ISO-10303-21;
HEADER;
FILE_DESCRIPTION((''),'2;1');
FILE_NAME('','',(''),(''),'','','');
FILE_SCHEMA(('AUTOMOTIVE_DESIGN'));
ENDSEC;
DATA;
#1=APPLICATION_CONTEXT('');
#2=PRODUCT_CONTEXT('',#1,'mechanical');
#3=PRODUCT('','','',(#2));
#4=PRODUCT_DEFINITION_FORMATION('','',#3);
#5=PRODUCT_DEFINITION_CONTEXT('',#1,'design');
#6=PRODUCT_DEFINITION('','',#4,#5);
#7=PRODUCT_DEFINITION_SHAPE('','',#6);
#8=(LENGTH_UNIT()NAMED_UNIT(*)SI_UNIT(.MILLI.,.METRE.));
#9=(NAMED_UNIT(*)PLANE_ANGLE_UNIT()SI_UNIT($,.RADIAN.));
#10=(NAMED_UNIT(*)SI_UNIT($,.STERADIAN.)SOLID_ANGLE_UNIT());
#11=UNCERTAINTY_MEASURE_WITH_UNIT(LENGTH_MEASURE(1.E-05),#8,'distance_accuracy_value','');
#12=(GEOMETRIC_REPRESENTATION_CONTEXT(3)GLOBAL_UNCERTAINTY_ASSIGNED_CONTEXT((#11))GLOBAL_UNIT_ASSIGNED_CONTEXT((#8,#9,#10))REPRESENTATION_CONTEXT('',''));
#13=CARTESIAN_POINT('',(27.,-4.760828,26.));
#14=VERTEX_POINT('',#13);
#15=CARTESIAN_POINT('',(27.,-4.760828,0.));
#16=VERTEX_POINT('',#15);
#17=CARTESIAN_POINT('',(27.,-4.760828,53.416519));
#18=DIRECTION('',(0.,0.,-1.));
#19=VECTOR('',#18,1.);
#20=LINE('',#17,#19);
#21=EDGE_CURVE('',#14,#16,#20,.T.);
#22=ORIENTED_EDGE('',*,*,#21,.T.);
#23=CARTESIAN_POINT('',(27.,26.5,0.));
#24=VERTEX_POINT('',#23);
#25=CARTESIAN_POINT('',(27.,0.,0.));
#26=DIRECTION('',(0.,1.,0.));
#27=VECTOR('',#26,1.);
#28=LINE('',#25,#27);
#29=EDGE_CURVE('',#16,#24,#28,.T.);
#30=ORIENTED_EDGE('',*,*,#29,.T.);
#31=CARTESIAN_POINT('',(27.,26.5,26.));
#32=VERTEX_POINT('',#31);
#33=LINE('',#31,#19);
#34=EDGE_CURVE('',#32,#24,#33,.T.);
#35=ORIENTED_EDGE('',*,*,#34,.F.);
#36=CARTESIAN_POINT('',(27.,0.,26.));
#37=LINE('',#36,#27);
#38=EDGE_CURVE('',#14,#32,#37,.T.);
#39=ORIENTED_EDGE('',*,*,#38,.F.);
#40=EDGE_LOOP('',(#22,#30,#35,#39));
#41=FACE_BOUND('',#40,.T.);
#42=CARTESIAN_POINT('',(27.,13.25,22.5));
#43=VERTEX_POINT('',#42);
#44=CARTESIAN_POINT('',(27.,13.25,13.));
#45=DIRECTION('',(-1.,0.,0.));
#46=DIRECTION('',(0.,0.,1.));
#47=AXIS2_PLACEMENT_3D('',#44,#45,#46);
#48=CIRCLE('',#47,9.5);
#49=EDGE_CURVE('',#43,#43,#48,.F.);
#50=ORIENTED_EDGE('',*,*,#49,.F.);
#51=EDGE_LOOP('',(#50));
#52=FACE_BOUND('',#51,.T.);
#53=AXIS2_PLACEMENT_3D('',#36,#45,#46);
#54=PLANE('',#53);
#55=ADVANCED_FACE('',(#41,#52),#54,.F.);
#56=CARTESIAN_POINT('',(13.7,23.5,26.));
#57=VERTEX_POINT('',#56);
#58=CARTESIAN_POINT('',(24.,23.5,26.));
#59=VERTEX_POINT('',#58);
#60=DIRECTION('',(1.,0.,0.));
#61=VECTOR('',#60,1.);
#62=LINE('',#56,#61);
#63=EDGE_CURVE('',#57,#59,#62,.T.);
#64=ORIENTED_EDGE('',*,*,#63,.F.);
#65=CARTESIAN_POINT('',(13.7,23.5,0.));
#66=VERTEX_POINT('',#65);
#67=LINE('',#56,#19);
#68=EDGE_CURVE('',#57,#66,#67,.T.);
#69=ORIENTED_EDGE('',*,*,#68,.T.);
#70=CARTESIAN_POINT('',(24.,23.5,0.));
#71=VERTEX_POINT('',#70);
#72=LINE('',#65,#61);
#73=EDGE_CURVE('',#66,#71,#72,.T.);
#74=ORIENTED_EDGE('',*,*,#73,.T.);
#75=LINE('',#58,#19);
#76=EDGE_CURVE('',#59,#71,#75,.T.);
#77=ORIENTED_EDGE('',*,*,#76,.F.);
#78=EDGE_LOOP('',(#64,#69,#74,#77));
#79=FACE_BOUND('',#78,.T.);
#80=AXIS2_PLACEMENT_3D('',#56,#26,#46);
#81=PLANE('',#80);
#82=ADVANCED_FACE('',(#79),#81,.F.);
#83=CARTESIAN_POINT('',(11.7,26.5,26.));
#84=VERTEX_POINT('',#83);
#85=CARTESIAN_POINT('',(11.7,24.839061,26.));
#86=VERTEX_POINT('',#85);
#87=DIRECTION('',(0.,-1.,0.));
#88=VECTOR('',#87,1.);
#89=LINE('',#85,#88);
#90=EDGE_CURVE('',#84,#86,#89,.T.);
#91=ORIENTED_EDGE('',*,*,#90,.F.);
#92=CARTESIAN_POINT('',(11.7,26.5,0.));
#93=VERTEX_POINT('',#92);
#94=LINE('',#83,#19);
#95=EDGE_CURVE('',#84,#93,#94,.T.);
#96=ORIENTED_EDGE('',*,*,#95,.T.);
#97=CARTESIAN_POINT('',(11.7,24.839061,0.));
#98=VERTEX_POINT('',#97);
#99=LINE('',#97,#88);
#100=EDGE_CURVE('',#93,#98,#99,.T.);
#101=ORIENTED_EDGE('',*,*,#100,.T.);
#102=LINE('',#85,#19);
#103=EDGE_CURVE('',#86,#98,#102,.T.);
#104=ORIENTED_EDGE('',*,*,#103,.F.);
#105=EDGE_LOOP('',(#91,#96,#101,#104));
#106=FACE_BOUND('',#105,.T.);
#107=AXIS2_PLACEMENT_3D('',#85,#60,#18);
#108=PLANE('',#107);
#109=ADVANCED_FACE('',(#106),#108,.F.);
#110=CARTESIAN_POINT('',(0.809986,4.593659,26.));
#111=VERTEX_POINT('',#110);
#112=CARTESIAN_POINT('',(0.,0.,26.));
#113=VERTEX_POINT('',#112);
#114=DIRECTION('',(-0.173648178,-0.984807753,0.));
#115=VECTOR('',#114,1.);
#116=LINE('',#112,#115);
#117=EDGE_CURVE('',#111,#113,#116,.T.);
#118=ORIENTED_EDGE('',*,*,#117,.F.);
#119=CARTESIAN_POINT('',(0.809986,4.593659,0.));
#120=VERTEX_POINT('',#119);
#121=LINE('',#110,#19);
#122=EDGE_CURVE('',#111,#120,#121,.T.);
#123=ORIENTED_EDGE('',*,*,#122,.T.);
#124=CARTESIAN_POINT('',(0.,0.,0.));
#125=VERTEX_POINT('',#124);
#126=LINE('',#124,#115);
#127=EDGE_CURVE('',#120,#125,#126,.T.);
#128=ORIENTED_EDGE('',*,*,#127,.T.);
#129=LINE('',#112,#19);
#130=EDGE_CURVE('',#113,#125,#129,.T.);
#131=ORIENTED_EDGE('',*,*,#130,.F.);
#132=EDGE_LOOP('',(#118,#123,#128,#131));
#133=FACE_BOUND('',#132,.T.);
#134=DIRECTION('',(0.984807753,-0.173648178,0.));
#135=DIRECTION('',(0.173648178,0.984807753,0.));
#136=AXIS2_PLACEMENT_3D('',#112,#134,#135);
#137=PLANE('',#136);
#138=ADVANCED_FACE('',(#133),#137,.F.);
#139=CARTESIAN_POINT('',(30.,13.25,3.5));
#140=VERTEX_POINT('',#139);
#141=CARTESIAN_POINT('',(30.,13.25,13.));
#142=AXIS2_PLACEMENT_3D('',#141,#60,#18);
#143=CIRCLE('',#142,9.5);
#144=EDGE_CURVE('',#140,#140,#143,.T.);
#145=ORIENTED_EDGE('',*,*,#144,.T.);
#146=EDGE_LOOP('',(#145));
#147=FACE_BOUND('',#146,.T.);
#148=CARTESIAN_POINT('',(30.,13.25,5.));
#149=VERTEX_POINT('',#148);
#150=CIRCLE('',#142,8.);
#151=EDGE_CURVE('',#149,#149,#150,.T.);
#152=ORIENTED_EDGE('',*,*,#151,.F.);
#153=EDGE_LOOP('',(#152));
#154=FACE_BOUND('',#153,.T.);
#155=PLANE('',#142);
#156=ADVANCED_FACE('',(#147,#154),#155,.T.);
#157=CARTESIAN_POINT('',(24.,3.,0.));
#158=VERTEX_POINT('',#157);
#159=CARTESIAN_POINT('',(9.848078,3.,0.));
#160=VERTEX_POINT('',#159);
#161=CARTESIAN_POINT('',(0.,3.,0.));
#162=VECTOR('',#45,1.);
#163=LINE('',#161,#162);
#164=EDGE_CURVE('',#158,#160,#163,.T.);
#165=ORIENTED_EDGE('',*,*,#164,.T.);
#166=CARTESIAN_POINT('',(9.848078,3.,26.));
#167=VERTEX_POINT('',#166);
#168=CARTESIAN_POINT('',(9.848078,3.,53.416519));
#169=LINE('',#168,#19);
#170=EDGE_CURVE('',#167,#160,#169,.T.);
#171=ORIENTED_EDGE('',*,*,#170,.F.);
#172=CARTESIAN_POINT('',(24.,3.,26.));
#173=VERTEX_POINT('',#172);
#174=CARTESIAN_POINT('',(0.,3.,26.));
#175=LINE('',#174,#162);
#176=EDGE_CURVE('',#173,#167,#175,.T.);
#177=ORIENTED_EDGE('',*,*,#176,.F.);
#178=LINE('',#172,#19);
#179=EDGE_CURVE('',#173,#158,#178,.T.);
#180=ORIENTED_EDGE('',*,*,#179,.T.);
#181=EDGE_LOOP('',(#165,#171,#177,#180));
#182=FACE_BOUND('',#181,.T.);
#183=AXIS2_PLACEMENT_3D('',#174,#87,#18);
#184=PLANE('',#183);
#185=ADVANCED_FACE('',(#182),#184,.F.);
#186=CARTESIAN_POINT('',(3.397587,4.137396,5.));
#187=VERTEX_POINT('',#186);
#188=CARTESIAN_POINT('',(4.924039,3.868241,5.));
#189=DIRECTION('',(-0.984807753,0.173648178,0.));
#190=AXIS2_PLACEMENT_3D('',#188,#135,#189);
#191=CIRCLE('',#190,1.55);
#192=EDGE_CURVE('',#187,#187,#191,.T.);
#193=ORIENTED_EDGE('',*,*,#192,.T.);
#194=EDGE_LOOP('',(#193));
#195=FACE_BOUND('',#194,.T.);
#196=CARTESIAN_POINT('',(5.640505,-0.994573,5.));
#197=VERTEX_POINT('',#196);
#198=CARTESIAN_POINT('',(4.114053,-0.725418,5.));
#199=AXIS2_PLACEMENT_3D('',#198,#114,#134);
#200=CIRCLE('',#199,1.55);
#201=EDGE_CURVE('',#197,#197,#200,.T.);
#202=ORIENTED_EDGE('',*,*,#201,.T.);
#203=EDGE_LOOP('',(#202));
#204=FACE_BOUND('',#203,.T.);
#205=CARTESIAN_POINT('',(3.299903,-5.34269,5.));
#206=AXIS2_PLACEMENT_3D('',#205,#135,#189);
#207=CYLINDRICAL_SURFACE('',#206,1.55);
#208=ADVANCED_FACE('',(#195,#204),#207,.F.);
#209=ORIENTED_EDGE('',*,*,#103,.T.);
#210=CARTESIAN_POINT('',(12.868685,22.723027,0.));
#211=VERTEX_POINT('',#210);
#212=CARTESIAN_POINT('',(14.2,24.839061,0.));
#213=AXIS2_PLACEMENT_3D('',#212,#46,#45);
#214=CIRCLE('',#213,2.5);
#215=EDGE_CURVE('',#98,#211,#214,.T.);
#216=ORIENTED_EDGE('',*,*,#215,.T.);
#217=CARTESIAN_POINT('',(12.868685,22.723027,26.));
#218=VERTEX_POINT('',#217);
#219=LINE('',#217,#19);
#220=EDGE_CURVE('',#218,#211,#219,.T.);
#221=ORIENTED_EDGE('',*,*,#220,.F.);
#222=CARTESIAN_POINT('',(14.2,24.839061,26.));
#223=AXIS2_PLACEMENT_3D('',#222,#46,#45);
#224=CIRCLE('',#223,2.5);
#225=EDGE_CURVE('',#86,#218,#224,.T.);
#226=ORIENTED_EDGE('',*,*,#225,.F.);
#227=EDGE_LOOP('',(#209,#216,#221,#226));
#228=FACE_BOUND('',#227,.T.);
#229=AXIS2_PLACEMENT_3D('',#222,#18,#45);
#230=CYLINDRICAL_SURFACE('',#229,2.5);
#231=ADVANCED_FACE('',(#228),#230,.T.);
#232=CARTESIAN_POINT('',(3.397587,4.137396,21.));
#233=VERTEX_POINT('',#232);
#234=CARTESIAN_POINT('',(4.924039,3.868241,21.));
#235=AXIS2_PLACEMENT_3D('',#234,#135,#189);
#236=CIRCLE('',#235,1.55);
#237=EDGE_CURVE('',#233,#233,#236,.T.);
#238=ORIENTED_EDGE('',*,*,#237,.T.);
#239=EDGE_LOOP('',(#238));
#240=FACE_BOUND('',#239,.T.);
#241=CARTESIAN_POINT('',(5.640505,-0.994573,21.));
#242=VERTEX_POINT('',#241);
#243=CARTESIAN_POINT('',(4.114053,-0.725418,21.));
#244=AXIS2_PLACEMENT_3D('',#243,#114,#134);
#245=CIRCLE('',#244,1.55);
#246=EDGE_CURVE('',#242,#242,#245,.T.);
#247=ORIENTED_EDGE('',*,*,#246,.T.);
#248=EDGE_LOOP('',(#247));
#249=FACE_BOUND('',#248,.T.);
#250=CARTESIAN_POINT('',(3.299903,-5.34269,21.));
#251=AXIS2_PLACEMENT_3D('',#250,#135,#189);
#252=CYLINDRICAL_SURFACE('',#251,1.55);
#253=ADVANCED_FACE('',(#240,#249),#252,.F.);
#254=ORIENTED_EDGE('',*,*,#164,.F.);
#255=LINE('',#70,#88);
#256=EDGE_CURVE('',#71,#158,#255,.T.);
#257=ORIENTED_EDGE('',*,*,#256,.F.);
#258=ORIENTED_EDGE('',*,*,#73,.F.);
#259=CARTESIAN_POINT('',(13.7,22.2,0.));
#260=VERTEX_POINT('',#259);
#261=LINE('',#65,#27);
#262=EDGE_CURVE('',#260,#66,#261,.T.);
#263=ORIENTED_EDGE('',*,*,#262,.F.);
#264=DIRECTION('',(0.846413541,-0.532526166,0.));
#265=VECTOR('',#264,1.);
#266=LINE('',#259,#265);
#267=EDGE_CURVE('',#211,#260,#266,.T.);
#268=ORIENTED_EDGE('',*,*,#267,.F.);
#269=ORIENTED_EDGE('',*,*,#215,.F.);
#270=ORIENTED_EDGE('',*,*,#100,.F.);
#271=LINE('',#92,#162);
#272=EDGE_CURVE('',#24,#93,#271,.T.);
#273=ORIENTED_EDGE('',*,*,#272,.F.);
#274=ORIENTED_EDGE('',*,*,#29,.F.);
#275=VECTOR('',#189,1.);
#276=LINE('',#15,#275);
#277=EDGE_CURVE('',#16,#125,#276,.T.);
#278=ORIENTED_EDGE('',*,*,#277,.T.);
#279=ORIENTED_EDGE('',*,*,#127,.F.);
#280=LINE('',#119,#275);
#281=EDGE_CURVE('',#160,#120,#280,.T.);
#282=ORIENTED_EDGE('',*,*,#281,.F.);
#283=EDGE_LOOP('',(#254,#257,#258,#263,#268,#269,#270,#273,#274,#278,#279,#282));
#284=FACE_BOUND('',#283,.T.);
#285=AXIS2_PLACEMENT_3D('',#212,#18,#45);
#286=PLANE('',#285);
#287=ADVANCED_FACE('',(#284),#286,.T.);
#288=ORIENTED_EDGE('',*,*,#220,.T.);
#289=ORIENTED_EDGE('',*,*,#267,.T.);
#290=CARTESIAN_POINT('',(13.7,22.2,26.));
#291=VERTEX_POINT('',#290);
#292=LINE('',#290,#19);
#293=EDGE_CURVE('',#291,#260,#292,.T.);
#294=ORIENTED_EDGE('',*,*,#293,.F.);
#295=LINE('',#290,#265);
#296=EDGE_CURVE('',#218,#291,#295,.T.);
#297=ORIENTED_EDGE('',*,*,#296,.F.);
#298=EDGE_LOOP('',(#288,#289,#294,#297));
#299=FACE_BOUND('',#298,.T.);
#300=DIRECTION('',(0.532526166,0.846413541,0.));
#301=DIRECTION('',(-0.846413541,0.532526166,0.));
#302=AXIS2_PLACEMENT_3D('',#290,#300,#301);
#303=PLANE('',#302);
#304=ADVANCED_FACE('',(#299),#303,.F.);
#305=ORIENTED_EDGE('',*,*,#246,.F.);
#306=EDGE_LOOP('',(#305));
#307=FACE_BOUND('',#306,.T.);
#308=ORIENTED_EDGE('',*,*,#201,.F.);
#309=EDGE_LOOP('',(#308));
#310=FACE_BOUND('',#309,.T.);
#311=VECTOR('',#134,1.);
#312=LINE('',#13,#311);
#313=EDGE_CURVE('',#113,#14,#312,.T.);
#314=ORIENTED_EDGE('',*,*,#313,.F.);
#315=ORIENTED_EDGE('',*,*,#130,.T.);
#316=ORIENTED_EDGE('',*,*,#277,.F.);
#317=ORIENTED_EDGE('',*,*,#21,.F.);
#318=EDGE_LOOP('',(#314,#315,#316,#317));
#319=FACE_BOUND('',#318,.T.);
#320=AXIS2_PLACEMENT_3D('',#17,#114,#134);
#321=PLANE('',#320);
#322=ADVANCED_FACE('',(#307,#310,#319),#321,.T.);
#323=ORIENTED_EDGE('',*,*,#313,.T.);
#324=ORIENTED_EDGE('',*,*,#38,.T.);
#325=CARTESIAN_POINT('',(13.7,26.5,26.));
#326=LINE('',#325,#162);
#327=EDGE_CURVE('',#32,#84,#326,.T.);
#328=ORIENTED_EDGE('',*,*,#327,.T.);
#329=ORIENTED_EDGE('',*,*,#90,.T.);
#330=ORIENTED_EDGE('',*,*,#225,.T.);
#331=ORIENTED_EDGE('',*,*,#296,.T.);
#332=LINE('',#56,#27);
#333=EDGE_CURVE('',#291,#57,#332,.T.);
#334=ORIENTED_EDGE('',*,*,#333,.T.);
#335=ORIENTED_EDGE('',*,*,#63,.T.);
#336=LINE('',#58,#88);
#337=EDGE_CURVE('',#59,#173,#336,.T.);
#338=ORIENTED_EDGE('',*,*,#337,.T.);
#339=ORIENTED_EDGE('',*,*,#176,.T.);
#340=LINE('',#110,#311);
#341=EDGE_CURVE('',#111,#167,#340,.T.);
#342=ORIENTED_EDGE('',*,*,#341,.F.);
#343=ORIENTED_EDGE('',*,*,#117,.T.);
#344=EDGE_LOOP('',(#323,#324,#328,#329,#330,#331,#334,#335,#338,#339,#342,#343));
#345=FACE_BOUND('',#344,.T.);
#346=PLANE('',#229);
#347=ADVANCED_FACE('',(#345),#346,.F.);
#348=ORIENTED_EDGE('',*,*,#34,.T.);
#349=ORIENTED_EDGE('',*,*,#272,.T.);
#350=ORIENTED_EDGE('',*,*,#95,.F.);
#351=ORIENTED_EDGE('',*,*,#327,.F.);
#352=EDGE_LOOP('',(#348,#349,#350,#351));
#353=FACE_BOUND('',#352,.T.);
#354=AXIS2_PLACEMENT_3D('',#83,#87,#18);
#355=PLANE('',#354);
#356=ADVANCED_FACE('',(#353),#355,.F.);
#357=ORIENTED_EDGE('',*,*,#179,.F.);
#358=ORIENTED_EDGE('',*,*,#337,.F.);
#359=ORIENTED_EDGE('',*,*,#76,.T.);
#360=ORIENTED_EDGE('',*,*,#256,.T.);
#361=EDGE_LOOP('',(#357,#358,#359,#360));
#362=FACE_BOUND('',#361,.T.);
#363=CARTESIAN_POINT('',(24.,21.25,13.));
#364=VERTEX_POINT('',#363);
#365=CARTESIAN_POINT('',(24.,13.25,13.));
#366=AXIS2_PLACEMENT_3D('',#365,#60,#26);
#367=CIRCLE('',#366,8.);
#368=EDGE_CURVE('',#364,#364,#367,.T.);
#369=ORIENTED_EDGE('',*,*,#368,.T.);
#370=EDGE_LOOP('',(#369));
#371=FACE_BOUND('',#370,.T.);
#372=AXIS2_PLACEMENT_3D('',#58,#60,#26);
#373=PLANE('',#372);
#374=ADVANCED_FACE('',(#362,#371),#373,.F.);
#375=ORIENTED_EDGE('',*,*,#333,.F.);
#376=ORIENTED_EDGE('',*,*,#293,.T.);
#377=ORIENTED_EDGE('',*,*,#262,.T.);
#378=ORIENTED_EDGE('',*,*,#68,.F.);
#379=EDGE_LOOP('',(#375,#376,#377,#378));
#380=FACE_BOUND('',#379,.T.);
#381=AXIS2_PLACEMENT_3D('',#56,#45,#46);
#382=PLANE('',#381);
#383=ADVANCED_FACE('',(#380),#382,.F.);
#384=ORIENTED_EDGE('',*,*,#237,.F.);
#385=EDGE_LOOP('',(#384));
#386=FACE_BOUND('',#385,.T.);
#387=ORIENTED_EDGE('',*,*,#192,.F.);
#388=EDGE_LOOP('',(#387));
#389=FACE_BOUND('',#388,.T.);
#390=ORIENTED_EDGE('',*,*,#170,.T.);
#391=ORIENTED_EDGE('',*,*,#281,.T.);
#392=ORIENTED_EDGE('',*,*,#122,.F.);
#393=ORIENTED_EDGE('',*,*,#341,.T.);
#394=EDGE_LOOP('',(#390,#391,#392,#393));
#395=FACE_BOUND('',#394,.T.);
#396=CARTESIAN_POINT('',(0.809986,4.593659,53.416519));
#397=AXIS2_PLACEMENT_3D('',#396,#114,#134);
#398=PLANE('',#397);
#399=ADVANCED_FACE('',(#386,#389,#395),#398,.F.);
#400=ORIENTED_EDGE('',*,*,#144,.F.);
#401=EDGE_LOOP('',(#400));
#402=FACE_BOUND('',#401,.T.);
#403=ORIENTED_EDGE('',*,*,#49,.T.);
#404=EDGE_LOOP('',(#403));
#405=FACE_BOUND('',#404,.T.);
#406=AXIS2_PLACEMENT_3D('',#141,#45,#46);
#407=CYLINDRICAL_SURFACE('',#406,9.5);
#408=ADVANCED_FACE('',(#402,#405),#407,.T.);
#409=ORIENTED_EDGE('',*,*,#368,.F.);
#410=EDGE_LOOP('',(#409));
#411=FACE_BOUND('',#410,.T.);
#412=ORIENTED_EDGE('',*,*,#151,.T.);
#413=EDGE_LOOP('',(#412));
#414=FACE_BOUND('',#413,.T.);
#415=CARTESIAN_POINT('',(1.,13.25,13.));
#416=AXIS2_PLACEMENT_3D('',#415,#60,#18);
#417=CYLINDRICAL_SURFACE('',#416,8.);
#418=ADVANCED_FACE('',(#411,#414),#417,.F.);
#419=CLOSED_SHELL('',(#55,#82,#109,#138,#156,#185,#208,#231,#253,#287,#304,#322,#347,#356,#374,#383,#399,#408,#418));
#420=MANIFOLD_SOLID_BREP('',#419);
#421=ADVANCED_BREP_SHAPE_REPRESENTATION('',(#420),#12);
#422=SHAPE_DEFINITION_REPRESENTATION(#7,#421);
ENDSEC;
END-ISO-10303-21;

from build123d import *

# Parameters (mm, degrees)
BOSS_EXTRUDE1_DEPTH = 26
SKETCH2_R           = 8
CUT_EXTRUDE1_DEPTH  = 26
SKETCH3_R           = 9.5
SKETCH3_R_2         = 8
BOSS_EXTRUDE2_DEPTH = 3
BOSS_EXTRUDE4_DEPTH = 26
SKETCH5_R           = 1.55
CUT_EXTRUDE2_DEPTH  = 10.353024773
CUT_EXTRUDE3_DEPTH  = 27


with BuildPart() as part:
    # Sketch1 → Boss-Extrude1 (new body)
    with BuildSketch(Plane.XY):
        with BuildLine():
            Line((0, 0), (27, 0))
            Line((27, 0), (27, 26.5))
            Line((27, 26.5), (13.7, 26.5))
            Line((13.7, 26.5), (11.7, 26.5))
            Line((11.7, 26.5), (11.7, 24.839060942))
            ThreePointArc((11.7, 24.839060942), (12.011588642, 23.630402293), (12.868684584, 22.72302709))
            Line((12.868684584, 22.72302709), (13.7, 22.2))
            Line((13.7, 22.2), (13.7, 23.5))
            Line((13.7, 23.5), (24, 23.5))
            Line((24, 23.5), (24, 3))
            Line((24, 3), (0, 3))
            Line((0, 3), (0, 0))
        make_face()
    extrude(amount=BOSS_EXTRUDE1_DEPTH)

    # Sketch2 → Cut-Extrude1 (cut)
    with BuildSketch(Plane(origin=(27, 0, 0), x_dir=(0, 0, -1), z_dir=(1, 0, 0))):
        with Locations((-13, 13.25)):
            Circle(SKETCH2_R)
    extrude(amount=-CUT_EXTRUDE1_DEPTH, mode=Mode.SUBTRACT)

    # Sketch3 → Boss-Extrude2 (add)
    with BuildSketch(Plane(origin=(27, 0, 0), x_dir=(0, 0, -1), z_dir=(1, 0, 0))):
        with Locations((-13, 13.25)):
            Circle(SKETCH3_R)
        with Locations((-13, 13.25)):
            Circle(SKETCH3_R_2, mode=Mode.SUBTRACT)
    extrude(amount=BOSS_EXTRUDE2_DEPTH)

    # Sketch4 → Boss-Extrude4 (add)
    with BuildSketch(Plane(origin=(0, 0, 0), x_dir=(-1, 0, 0), z_dir=(0, 0, -1))):
        Polygon((-9.84807753, 3), (0, 3), (0, 4.736481777), align=None)
        Polygon((-27, 0), (0, 0), (-27, -4.760828479), align=None)
    extrude(amount=-BOSS_EXTRUDE4_DEPTH)

    # Sketch5 → Cut-Extrude2 (cut, through all)
    with BuildSketch(Plane(origin=(0.809986088, 4.593659375, 0), x_dir=(0.984807753, -0.173648178, 0), z_dir=(0.173648178, 0.984807753, 0))):
        with Locations((4.177518571, -5)):
            Circle(SKETCH5_R)
        with Locations((4.177518571, -21)):
            Circle(SKETCH5_R)
    extrude(amount=-CUT_EXTRUDE2_DEPTH, mode=Mode.SUBTRACT)

    # Sketch6 → Cut-Extrude3 (cut, through all)
    with BuildSketch(Plane(origin=(0, 0, 0), x_dir=(-1, 0, 0), z_dir=(0, 0, -1))):
        Polygon((0, 0), (-0.809986088, 4.593659375), (0, 4.736481777), align=None)
    extrude(amount=-CUT_EXTRUDE3_DEPTH, mode=Mode.SUBTRACT)


solid = part.part
